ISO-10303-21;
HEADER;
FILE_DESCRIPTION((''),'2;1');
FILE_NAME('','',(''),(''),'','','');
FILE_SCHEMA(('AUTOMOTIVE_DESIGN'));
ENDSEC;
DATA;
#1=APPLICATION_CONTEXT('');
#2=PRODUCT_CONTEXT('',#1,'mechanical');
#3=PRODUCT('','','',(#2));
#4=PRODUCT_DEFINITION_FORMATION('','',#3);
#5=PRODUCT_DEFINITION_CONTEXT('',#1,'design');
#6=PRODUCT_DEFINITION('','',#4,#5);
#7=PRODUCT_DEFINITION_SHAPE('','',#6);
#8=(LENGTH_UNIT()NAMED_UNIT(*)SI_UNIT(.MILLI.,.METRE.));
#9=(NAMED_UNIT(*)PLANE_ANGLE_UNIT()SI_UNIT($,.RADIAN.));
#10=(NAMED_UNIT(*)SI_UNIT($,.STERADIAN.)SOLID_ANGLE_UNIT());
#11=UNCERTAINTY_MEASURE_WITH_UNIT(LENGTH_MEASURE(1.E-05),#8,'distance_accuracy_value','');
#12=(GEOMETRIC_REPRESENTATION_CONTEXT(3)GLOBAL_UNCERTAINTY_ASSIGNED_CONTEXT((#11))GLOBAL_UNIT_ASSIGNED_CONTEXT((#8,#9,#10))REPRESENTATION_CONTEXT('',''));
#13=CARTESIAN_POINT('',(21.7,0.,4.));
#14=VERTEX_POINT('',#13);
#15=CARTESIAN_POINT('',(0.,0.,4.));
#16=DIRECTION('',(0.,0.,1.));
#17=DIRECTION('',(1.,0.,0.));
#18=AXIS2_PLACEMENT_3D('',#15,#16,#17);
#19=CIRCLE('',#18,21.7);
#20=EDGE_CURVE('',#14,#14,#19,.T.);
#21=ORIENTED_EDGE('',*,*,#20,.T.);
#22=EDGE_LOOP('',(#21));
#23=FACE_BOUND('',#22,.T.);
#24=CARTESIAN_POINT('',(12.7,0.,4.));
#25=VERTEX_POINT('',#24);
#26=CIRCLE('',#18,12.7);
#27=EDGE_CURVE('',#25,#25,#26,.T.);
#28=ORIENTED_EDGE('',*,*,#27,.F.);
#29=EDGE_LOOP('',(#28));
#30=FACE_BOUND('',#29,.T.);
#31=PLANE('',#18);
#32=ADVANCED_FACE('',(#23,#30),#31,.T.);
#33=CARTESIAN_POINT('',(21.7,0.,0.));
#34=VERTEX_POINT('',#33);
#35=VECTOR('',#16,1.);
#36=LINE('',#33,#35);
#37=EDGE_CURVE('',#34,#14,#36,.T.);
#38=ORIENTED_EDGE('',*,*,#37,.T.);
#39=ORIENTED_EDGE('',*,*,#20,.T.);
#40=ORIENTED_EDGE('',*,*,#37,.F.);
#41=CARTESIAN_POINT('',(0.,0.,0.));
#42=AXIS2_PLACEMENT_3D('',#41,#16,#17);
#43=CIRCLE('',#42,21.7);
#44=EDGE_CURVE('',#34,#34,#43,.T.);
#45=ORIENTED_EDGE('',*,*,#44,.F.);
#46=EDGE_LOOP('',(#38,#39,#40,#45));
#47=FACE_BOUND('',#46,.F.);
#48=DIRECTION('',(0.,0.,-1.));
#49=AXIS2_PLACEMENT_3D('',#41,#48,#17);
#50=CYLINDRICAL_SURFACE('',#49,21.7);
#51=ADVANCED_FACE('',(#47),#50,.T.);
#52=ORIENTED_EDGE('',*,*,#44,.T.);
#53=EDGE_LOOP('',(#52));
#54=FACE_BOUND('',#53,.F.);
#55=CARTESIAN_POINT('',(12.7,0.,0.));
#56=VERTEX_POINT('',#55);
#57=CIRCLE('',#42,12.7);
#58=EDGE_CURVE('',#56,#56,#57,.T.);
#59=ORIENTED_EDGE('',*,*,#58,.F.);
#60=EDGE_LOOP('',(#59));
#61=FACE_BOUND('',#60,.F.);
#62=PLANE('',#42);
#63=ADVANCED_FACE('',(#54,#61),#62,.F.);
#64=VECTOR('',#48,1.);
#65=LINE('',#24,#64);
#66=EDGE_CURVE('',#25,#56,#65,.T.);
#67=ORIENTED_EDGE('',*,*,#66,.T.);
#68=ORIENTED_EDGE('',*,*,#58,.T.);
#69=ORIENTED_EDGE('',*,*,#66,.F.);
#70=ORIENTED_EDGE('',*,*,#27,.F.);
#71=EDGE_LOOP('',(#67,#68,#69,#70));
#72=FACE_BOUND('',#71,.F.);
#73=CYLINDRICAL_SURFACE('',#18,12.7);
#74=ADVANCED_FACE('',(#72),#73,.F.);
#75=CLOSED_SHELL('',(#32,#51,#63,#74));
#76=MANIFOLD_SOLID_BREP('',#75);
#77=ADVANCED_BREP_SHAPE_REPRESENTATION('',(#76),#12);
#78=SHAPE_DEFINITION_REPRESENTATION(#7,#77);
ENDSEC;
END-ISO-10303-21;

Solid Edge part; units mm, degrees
sketch "Sketch1" plane through (0, 0, 0) normal (0, 0, 1) x (1, 0, 0)
  circle A0 centre (0, 0) radius 21.7
extrude "Protrusion1" add sketch "Sketch1" along normal blind 4
sketch "Sketch2" plane through (0, 0, 4) normal (0, 0, 1) x (1, 0, 0)
  circle A0 centre (0, 0) radius 12.7
extrude "Cutout1" cut sketch "Sketch2" against normal up to vertex (4 mm away)
